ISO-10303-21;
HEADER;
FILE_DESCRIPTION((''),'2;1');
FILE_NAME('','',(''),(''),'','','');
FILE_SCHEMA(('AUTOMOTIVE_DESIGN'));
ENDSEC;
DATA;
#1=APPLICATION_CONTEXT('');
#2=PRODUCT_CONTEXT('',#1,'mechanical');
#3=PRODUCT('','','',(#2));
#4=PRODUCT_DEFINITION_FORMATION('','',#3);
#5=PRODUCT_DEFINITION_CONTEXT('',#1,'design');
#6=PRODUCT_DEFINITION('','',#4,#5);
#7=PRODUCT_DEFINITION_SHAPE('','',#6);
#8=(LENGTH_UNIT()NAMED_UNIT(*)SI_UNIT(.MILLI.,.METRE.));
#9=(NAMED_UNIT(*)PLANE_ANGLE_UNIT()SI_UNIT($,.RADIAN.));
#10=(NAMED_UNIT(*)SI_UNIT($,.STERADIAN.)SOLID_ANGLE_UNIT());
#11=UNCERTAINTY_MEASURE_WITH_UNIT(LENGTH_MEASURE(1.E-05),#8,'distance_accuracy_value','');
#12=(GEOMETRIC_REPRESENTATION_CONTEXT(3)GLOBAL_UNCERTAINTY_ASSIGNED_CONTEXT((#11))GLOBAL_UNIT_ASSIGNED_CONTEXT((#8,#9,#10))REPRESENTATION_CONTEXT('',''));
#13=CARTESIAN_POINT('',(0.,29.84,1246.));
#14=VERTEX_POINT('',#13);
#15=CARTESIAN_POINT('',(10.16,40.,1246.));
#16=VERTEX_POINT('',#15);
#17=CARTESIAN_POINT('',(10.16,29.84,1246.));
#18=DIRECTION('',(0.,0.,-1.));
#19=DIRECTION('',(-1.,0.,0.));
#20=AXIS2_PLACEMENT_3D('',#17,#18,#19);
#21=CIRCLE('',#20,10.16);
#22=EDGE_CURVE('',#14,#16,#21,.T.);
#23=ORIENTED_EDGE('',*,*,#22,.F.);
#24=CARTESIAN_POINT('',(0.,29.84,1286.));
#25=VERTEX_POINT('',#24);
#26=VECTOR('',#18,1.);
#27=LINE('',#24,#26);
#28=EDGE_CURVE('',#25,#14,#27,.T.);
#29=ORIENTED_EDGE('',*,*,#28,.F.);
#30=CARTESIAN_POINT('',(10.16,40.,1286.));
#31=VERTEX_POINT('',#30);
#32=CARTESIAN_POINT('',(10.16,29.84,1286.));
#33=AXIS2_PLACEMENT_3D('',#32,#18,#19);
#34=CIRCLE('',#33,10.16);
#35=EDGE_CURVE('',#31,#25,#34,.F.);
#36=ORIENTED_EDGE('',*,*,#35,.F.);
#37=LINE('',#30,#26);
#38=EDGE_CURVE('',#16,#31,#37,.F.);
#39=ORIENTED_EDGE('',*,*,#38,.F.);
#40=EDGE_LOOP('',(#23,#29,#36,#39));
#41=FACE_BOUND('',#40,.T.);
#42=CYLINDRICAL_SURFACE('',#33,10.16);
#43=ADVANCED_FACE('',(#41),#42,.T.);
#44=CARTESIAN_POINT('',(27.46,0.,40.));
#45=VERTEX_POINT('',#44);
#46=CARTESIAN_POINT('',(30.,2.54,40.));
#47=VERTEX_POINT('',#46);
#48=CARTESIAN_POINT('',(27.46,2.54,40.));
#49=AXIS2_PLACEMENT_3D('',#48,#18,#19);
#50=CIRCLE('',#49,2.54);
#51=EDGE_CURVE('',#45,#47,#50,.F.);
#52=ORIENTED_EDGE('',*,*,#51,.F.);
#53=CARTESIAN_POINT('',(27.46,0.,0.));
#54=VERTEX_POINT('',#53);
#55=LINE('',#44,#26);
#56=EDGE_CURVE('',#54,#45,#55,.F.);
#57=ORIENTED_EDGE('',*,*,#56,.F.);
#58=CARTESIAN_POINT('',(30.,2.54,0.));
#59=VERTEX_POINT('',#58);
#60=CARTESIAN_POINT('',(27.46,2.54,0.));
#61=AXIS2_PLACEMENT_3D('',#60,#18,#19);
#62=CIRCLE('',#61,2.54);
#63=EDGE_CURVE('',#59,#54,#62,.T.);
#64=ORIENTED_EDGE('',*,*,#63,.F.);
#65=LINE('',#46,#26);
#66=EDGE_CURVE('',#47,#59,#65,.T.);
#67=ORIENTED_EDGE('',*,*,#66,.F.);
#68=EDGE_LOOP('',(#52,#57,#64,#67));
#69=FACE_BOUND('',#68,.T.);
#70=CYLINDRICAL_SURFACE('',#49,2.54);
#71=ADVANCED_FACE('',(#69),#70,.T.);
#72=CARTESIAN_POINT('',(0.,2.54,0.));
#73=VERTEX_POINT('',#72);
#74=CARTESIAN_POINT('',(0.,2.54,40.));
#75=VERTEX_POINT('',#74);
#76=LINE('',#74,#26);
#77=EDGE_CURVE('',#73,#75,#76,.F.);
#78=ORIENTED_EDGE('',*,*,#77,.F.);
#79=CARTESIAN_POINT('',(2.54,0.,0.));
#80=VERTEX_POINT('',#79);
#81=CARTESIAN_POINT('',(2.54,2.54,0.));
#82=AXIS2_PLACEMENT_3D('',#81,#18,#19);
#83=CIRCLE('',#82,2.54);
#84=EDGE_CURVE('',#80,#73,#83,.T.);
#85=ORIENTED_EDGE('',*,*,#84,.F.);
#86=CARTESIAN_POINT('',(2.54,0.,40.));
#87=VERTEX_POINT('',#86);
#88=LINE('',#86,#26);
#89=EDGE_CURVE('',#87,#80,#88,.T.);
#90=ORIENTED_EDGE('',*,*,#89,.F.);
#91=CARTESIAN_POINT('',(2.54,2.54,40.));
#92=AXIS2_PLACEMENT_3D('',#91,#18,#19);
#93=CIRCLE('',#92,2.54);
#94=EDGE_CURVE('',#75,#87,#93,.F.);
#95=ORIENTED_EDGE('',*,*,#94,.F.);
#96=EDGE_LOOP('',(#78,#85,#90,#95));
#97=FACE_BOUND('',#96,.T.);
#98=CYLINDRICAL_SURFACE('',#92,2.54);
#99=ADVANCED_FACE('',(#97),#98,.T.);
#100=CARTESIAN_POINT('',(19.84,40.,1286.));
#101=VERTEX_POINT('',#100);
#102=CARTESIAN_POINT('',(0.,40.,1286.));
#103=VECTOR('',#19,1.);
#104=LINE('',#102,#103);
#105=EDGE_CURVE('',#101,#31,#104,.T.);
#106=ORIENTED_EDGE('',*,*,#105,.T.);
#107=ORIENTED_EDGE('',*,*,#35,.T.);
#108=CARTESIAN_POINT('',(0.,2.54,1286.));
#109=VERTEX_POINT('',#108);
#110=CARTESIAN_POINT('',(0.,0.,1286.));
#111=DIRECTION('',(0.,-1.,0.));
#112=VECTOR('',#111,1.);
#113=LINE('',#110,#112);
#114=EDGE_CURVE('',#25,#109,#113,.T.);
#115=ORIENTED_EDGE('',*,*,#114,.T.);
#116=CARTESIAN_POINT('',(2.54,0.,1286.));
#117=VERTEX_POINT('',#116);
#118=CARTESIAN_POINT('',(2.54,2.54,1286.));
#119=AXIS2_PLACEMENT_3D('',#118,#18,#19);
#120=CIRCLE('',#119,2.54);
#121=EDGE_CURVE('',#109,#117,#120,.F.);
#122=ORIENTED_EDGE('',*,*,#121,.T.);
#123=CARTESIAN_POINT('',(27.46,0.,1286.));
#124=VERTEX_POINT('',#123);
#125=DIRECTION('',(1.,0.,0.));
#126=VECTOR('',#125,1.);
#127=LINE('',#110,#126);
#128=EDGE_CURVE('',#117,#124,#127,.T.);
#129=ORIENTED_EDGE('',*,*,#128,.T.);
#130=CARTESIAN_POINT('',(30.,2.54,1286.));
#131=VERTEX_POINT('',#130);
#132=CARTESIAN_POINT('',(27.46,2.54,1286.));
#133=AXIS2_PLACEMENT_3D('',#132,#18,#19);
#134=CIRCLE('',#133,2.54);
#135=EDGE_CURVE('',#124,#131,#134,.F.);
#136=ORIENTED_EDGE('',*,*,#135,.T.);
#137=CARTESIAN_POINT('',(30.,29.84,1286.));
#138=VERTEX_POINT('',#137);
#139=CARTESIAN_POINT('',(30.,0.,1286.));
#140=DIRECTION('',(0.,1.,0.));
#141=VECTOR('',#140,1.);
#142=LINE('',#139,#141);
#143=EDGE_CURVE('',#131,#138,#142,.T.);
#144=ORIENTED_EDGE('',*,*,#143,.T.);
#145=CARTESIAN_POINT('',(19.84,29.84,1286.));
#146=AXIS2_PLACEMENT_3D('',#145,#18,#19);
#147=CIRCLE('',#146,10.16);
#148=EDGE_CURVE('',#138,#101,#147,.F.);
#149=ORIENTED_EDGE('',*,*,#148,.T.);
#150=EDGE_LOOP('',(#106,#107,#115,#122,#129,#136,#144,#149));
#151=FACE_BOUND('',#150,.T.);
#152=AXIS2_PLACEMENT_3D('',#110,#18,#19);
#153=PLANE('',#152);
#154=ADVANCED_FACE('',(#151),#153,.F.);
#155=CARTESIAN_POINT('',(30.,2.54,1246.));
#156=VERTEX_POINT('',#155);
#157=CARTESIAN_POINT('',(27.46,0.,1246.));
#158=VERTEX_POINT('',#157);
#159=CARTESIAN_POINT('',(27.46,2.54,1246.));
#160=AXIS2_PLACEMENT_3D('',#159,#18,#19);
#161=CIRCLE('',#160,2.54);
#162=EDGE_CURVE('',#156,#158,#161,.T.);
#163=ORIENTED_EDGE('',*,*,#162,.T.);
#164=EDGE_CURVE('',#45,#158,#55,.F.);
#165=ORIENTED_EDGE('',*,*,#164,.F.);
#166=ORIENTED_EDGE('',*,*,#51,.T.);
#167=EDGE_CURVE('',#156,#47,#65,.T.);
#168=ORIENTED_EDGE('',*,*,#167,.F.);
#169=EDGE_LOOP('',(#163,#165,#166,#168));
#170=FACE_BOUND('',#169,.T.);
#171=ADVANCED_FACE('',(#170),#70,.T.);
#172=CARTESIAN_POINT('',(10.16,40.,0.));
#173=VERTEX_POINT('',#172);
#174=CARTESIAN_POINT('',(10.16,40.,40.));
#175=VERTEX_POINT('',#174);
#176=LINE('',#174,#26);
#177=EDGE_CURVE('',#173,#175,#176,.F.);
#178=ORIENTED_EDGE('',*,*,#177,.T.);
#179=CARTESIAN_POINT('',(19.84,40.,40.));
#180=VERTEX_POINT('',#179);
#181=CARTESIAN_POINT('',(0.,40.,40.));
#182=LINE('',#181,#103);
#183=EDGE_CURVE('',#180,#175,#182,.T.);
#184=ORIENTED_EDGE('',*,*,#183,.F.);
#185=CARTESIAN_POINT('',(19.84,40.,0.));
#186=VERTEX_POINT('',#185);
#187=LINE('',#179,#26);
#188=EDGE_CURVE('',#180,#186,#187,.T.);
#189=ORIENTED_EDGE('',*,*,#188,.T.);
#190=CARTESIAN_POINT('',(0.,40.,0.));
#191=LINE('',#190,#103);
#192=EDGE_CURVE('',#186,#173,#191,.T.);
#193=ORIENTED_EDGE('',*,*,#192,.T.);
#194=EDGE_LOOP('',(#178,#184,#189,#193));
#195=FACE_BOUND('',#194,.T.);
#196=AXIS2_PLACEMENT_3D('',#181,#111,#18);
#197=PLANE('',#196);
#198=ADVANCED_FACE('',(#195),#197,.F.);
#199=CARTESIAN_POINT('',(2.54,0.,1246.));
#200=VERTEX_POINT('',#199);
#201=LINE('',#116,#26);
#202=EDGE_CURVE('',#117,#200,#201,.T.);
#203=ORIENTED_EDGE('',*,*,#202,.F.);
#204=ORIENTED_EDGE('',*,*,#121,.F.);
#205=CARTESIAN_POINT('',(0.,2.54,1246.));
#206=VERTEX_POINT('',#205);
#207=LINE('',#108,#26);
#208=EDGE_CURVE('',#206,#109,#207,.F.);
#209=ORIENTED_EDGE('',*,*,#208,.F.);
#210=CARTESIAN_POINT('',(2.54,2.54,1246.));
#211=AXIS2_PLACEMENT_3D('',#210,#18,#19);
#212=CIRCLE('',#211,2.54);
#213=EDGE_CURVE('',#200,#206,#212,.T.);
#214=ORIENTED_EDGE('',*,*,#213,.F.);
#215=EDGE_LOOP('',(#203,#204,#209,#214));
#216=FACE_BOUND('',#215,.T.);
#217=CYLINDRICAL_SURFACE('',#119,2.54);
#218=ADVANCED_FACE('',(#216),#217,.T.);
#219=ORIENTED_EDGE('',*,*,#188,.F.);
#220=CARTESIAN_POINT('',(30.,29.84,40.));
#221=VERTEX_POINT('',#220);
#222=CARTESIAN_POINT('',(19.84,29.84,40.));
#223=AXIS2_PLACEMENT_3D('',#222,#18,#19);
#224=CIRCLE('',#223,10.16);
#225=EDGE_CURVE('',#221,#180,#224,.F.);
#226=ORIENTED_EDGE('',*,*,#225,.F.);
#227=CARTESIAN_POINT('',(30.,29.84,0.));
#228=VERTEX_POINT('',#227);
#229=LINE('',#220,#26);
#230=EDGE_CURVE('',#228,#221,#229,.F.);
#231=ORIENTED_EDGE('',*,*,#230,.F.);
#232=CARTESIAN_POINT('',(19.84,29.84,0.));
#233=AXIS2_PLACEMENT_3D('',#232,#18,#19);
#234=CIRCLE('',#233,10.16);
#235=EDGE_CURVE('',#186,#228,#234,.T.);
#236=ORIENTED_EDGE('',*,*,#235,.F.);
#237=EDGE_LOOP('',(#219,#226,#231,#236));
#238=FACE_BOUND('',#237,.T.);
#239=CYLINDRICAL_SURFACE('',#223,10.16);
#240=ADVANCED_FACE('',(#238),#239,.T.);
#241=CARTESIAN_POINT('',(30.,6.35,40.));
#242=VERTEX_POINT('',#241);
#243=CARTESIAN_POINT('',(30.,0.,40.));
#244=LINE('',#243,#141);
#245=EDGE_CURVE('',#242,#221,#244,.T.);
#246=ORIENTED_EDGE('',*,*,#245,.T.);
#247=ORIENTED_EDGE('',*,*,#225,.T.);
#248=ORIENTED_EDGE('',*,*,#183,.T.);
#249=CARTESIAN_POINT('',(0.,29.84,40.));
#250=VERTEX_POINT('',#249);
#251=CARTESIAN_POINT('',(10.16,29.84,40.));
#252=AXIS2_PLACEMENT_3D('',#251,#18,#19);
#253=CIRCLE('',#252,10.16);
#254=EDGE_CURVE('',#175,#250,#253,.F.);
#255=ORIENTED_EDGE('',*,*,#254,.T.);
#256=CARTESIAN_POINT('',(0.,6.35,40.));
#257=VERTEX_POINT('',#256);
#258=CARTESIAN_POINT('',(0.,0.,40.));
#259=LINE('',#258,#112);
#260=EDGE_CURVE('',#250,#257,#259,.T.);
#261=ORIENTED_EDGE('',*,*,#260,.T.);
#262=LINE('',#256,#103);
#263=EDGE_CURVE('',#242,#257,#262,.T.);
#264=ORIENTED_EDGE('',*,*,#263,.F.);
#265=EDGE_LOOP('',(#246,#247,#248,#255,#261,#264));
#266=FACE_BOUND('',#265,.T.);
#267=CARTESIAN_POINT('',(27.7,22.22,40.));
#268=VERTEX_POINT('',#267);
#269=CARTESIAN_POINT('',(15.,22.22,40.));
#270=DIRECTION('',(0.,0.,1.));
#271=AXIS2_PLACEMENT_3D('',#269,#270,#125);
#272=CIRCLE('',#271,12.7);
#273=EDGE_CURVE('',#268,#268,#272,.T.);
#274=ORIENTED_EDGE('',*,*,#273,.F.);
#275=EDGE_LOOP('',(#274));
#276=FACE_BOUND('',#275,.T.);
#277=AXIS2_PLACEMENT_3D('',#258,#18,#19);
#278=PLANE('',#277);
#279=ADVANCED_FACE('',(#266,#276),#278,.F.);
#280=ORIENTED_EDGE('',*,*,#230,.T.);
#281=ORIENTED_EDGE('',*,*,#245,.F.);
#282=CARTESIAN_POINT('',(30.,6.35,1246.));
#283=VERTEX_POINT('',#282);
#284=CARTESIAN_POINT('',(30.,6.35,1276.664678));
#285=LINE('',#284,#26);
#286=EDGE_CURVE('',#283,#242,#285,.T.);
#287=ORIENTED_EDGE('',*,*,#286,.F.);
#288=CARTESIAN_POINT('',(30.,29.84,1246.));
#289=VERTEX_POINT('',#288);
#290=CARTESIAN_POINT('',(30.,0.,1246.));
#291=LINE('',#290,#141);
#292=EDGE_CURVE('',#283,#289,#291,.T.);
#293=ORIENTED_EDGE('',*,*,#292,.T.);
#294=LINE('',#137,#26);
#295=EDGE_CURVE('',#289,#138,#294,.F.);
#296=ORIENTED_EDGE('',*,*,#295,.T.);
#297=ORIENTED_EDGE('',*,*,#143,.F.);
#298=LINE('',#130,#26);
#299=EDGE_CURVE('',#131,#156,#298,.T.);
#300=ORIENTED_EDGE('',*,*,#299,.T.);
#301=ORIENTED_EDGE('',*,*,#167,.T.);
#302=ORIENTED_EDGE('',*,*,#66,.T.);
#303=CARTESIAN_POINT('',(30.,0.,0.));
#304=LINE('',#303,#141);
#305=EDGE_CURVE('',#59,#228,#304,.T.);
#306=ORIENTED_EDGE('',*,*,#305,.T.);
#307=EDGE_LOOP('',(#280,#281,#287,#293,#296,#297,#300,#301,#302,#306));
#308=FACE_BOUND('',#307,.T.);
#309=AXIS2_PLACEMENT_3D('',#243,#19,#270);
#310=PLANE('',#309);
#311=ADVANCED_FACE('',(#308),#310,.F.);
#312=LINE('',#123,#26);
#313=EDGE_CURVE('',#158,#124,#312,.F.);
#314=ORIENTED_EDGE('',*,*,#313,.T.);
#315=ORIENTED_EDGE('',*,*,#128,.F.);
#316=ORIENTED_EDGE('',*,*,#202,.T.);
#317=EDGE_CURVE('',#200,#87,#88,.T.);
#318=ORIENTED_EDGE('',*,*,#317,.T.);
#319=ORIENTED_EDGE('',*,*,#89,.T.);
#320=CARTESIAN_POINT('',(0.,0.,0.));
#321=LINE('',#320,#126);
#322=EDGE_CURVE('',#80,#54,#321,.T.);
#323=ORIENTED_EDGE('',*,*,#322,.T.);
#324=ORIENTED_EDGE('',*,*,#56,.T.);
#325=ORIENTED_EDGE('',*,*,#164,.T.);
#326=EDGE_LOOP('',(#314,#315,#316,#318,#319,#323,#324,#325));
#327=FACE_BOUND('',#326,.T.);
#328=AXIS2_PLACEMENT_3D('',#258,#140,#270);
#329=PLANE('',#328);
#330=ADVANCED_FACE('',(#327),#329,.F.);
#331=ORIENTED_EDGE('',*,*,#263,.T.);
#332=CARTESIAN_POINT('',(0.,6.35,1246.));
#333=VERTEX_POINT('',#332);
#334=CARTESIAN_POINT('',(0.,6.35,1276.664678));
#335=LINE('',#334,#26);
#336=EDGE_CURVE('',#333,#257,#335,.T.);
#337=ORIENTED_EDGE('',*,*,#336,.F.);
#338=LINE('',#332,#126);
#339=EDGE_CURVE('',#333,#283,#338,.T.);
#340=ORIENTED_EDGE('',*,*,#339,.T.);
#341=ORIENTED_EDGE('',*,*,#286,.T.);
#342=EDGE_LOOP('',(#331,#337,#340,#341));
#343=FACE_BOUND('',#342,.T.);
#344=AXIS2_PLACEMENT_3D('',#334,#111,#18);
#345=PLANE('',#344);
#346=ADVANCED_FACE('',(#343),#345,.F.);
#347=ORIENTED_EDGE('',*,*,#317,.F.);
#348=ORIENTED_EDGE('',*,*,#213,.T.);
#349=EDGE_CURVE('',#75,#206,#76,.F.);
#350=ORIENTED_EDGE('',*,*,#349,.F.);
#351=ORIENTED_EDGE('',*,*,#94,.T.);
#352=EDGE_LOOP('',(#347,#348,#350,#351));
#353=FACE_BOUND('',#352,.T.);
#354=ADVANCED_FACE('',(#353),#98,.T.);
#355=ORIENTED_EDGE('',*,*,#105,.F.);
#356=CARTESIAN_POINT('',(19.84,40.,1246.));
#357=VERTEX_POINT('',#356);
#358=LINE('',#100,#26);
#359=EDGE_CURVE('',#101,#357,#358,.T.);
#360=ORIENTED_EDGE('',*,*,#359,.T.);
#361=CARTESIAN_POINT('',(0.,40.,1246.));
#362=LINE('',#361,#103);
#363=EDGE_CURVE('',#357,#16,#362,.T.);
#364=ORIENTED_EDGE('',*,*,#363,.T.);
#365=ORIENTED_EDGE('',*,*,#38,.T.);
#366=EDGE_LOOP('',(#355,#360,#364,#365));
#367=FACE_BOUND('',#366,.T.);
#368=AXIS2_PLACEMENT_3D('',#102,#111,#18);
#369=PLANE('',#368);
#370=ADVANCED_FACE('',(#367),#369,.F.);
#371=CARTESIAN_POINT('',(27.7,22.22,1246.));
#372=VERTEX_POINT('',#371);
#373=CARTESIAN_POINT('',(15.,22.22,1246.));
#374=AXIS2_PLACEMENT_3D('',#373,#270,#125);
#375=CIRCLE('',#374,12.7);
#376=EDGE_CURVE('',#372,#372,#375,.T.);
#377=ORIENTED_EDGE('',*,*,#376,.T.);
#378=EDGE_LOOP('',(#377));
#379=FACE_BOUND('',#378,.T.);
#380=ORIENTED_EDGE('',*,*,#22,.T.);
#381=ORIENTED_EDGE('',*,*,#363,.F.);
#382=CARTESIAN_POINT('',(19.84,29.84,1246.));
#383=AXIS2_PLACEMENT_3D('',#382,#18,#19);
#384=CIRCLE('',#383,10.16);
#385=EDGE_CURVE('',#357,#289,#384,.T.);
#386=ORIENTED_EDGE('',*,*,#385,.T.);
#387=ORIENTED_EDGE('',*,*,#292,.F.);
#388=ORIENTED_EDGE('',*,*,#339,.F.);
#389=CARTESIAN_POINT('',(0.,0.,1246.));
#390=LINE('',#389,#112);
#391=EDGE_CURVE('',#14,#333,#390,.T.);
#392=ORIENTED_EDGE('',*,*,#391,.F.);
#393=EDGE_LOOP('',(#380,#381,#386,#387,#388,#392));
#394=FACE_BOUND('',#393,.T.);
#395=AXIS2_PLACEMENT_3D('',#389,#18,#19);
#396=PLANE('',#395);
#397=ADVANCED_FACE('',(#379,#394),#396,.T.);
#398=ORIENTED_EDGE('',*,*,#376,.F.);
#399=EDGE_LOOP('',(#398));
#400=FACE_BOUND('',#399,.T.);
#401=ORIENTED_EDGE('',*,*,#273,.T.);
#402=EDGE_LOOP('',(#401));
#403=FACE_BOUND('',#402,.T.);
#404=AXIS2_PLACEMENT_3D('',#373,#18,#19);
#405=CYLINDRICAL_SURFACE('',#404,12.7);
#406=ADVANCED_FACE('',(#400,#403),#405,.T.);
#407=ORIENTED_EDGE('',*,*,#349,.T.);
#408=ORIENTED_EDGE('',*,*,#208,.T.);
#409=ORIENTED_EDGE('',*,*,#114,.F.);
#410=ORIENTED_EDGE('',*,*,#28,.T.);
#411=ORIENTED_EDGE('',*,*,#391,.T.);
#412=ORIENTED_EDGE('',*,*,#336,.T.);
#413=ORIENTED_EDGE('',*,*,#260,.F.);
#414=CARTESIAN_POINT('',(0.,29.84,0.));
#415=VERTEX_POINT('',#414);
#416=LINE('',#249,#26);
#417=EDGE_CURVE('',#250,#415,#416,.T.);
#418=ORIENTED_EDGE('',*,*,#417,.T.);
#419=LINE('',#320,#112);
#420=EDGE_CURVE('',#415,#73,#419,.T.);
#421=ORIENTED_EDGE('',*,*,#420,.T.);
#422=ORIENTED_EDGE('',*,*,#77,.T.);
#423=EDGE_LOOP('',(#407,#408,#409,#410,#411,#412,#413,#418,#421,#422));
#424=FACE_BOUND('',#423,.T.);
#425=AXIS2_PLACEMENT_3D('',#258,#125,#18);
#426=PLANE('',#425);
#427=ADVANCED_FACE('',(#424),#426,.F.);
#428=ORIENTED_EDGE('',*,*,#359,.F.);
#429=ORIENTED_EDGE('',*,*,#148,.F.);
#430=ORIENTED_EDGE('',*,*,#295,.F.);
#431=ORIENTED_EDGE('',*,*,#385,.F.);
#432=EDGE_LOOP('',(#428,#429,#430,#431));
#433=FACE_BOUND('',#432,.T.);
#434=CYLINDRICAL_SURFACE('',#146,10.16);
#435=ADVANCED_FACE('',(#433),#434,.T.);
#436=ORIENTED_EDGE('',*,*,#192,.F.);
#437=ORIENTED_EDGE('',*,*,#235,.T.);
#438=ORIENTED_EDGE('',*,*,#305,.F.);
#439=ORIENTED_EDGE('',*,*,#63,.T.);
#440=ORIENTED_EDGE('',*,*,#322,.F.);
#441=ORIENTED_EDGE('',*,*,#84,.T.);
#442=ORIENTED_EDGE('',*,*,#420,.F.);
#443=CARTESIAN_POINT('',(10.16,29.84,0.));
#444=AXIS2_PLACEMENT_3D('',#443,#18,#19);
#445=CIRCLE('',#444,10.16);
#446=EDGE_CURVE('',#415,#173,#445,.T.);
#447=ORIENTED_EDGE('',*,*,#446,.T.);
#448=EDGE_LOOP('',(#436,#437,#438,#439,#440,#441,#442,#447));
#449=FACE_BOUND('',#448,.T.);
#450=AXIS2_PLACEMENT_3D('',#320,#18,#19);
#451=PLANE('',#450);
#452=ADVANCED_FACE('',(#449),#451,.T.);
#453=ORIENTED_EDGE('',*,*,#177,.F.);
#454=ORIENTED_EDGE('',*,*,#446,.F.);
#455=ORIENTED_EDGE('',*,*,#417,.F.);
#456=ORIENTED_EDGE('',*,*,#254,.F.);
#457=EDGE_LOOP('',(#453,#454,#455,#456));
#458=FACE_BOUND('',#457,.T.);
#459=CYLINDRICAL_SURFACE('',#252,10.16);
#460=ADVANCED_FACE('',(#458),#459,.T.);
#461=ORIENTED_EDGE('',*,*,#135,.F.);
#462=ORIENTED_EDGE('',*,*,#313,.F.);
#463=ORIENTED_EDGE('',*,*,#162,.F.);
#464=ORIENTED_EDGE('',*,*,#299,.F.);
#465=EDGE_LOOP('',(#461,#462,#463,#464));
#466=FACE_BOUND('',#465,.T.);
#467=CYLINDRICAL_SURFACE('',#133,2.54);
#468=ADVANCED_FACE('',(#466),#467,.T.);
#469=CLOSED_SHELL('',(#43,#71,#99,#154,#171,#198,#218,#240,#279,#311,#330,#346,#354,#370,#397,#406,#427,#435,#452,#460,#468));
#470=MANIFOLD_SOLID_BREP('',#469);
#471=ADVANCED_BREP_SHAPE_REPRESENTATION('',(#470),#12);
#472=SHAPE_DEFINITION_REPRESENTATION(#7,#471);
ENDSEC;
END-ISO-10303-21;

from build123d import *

# Parameters (mm, degrees)
SKETCH1_W           = 30
SKETCH1_H           = 40
BOSS_EXTRUDE1_DEPTH = 40
FILLET1_R           = 10.16
FILLET2_R           = 2.54
SKETCH3_R           = 12.7
BOSS_EXTRUDE2_DEPTH = 1206
SKETCH6_W           = 30
SKETCH6_H           = 40
BOSS_EXTRUDE3_DEPTH = 40.00000001
FILLET3_R           = 10.16
FILLET4_R           = 2.54
SKETCH7_W           = 30
SKETCH7_H           = 6.35
BOSS_EXTRUDE4_DEPTH = 1206
FILLET5_R           = 2.54


with BuildPart() as part:
    # Sketch1 → Boss-Extrude1 (new body)
    with BuildSketch(Plane.XY):
        with Locations((15, 20)):
            Rectangle(SKETCH1_W, SKETCH1_H)
    extrude(amount=BOSS_EXTRUDE1_DEPTH)

    # Fillet1
    fillet1_edges = [part.edges().sort_by_distance(p)[0] for p in [
        (0, 40, 20),
        (30, 40, 20),
    ]]
    fillet(fillet1_edges, radius=FILLET1_R)

    # Fillet2
    fillet2_edges = [part.edges().sort_by_distance(p)[0] for p in [
        (30, 0, 20),
        (0, 0, 20),
    ]]
    fillet(fillet2_edges, radius=FILLET2_R)

    # Sketch3 → Boss-Extrude2 (add)
    with BuildSketch(Plane.XY.offset(40)):
        with Locations((15, 22.22)):
            Circle(SKETCH3_R)
    extrude(amount=BOSS_EXTRUDE2_DEPTH)

    # Sketch6 → Boss-Extrude3 (add)
    with BuildSketch(Plane.XY.offset(1246)):
        with Locations((15, 20)):
            Rectangle(SKETCH6_W, SKETCH6_H)
    extrude(amount=BOSS_EXTRUDE3_DEPTH)

    # Fillet3
    fillet3_edges = [part.edges().sort_by_distance(p)[0] for p in [
        (0, 40, 1266.000000005),
        (30, 40, 1266.000000005),
    ]]
    fillet(fillet3_edges, radius=FILLET3_R)

    # Fillet4
    fillet4_edges = [part.edges().sort_by_distance(p)[0] for p in [
        (0, 0, 1266.000000005),
        (30, 0, 1266.000000005),
    ]]
    fillet(fillet4_edges, radius=FILLET4_R)

    # Sketch7 → Boss-Extrude4 (add)
    with BuildSketch(Plane.XY.offset(40)):
        with Locations((15, 3.175)):
            Rectangle(SKETCH7_W, SKETCH7_H)
    extrude(amount=BOSS_EXTRUDE4_DEPTH)

    # Fillet5
    fillet5_edges = [part.edges().sort_by_distance(p)[0] for p in [
        (30, 0, 643),
        (0, 0, 643),
    ]]
    fillet(fillet5_edges, radius=FILLET5_R)


solid = part.part
